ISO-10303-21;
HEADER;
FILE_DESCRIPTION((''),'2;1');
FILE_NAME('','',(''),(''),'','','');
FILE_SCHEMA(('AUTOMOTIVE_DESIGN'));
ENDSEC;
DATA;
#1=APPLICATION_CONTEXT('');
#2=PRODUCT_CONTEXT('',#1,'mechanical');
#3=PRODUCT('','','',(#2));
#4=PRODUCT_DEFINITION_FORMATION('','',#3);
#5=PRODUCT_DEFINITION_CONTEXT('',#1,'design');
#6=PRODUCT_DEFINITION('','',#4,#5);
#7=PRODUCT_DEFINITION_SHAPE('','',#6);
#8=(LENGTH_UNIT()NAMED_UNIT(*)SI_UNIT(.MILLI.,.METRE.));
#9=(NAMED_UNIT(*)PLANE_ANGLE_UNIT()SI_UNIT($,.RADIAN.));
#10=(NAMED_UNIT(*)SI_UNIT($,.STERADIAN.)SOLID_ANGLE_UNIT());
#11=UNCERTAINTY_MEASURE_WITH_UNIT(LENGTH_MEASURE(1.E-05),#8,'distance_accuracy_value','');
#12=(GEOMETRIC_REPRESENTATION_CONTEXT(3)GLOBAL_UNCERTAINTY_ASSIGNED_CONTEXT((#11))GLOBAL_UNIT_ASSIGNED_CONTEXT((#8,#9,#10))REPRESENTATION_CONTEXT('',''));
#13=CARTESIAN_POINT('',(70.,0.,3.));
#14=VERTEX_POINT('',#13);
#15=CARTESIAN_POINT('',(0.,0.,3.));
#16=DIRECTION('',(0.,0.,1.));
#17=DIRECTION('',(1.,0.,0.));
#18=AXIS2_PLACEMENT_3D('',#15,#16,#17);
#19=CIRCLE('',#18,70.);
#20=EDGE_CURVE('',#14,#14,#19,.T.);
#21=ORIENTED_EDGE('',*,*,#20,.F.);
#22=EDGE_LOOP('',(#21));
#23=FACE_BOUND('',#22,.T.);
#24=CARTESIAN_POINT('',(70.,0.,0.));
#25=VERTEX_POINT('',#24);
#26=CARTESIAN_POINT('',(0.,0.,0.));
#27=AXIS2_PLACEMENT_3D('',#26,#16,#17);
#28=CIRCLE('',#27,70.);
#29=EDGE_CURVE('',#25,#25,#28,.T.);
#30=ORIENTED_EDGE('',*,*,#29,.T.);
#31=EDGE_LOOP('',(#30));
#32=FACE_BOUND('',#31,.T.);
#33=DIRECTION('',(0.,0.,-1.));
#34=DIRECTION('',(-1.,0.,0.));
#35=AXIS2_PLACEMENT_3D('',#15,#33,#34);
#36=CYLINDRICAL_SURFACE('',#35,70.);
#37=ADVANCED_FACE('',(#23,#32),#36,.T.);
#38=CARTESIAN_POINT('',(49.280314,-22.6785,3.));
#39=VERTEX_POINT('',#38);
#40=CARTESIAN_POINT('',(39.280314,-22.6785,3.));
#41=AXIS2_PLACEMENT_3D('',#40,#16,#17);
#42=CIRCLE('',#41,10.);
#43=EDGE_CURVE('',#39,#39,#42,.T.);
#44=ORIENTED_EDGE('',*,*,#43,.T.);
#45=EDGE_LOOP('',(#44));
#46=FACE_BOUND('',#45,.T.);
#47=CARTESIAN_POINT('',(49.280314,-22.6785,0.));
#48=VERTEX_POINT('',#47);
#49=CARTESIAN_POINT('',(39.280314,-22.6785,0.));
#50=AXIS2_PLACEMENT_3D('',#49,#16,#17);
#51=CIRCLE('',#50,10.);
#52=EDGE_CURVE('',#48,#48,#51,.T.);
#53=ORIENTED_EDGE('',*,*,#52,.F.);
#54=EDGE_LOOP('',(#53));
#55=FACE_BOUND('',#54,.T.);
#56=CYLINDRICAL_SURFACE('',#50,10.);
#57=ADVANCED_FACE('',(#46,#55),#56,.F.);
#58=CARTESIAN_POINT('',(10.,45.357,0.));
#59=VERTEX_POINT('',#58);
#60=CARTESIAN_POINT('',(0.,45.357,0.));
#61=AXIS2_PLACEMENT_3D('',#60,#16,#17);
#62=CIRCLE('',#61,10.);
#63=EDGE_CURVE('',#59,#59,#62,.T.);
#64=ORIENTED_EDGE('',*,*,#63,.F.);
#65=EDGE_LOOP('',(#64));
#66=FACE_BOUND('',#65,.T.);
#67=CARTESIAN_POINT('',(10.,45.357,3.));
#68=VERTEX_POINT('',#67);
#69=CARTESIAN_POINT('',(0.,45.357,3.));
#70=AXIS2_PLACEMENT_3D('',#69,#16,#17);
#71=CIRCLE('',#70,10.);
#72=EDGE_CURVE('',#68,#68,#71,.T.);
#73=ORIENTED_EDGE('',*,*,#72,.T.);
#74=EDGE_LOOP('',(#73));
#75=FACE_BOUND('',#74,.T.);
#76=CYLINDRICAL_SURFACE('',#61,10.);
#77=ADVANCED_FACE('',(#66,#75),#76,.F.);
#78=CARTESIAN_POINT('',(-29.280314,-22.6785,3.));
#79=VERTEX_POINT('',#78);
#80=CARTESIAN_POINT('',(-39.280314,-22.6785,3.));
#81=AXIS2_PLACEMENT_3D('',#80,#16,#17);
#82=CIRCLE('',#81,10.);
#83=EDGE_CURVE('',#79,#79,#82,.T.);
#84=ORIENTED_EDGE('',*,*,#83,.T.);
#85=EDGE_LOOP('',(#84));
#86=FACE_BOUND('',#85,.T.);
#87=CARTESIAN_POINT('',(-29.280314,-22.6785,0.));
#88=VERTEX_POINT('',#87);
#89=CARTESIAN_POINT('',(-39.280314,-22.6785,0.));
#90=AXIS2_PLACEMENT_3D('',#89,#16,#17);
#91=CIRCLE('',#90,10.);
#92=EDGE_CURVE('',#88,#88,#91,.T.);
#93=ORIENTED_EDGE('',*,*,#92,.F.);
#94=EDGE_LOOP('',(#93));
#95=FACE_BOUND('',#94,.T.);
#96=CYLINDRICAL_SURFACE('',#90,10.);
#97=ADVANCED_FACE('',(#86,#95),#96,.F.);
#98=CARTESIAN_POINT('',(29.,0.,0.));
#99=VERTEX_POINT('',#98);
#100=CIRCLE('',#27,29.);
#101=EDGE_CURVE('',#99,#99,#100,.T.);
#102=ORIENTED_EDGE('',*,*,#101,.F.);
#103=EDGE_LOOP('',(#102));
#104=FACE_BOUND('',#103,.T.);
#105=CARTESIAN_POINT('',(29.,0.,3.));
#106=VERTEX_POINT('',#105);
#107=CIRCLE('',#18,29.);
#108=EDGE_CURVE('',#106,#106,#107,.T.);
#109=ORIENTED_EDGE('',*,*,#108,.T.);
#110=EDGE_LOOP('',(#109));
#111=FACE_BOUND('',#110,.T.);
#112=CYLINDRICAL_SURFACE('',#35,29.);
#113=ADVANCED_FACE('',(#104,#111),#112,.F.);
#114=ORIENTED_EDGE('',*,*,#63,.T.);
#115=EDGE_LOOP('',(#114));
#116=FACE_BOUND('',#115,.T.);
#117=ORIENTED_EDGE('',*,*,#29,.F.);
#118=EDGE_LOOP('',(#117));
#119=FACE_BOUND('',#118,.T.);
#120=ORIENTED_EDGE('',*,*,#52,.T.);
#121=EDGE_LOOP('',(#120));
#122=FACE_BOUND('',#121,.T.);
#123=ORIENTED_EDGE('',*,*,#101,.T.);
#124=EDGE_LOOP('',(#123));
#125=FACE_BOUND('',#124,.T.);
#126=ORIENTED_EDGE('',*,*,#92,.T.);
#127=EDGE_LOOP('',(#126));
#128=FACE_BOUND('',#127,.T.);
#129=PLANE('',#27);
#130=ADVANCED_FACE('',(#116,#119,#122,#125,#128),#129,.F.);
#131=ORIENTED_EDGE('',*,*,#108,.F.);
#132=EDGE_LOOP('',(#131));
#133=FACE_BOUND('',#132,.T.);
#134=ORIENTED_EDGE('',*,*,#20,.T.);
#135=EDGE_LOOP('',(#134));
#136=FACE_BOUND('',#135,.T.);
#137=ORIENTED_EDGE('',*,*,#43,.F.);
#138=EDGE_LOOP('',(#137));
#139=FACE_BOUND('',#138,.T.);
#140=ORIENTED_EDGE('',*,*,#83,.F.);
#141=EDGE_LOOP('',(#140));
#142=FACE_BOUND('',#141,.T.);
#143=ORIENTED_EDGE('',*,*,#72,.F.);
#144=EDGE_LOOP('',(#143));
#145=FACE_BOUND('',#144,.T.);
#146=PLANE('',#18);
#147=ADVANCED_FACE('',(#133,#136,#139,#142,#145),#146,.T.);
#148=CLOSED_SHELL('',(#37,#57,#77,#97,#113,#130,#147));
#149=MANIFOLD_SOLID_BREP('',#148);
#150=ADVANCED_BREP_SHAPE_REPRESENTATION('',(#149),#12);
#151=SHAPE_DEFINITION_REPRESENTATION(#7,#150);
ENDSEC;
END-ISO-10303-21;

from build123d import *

# Parameters (mm, degrees)
SKETCH_1_R          = 70
SKETCH_1_R_2        = 29
EXTRUDE_1_DEPTH     = 3
SKETCH_2_R          = 10
CUT_EXTRUDE_1_DEPTH = 3


with BuildPart() as part:
    # 草图1 → 凸台-拉伸1 (new body)
    with BuildSketch(Plane.XY):
        Circle(SKETCH_1_R)
        Circle(SKETCH_1_R_2, mode=Mode.SUBTRACT)
    extrude(amount=EXTRUDE_1_DEPTH)

    # 草图2 → 切除-拉伸1 (cut)
    with BuildSketch(Plane.XY.offset(3)):
        with Locations((0, 45.357)):
            Circle(SKETCH_2_R)
        with Locations((39.280314239, -22.6785)):
            Circle(SKETCH_2_R)
        with Locations((-39.280314239, -22.6785)):
            Circle(SKETCH_2_R)
    extrude(amount=-CUT_EXTRUDE_1_DEPTH, mode=Mode.SUBTRACT)


solid = part.part
